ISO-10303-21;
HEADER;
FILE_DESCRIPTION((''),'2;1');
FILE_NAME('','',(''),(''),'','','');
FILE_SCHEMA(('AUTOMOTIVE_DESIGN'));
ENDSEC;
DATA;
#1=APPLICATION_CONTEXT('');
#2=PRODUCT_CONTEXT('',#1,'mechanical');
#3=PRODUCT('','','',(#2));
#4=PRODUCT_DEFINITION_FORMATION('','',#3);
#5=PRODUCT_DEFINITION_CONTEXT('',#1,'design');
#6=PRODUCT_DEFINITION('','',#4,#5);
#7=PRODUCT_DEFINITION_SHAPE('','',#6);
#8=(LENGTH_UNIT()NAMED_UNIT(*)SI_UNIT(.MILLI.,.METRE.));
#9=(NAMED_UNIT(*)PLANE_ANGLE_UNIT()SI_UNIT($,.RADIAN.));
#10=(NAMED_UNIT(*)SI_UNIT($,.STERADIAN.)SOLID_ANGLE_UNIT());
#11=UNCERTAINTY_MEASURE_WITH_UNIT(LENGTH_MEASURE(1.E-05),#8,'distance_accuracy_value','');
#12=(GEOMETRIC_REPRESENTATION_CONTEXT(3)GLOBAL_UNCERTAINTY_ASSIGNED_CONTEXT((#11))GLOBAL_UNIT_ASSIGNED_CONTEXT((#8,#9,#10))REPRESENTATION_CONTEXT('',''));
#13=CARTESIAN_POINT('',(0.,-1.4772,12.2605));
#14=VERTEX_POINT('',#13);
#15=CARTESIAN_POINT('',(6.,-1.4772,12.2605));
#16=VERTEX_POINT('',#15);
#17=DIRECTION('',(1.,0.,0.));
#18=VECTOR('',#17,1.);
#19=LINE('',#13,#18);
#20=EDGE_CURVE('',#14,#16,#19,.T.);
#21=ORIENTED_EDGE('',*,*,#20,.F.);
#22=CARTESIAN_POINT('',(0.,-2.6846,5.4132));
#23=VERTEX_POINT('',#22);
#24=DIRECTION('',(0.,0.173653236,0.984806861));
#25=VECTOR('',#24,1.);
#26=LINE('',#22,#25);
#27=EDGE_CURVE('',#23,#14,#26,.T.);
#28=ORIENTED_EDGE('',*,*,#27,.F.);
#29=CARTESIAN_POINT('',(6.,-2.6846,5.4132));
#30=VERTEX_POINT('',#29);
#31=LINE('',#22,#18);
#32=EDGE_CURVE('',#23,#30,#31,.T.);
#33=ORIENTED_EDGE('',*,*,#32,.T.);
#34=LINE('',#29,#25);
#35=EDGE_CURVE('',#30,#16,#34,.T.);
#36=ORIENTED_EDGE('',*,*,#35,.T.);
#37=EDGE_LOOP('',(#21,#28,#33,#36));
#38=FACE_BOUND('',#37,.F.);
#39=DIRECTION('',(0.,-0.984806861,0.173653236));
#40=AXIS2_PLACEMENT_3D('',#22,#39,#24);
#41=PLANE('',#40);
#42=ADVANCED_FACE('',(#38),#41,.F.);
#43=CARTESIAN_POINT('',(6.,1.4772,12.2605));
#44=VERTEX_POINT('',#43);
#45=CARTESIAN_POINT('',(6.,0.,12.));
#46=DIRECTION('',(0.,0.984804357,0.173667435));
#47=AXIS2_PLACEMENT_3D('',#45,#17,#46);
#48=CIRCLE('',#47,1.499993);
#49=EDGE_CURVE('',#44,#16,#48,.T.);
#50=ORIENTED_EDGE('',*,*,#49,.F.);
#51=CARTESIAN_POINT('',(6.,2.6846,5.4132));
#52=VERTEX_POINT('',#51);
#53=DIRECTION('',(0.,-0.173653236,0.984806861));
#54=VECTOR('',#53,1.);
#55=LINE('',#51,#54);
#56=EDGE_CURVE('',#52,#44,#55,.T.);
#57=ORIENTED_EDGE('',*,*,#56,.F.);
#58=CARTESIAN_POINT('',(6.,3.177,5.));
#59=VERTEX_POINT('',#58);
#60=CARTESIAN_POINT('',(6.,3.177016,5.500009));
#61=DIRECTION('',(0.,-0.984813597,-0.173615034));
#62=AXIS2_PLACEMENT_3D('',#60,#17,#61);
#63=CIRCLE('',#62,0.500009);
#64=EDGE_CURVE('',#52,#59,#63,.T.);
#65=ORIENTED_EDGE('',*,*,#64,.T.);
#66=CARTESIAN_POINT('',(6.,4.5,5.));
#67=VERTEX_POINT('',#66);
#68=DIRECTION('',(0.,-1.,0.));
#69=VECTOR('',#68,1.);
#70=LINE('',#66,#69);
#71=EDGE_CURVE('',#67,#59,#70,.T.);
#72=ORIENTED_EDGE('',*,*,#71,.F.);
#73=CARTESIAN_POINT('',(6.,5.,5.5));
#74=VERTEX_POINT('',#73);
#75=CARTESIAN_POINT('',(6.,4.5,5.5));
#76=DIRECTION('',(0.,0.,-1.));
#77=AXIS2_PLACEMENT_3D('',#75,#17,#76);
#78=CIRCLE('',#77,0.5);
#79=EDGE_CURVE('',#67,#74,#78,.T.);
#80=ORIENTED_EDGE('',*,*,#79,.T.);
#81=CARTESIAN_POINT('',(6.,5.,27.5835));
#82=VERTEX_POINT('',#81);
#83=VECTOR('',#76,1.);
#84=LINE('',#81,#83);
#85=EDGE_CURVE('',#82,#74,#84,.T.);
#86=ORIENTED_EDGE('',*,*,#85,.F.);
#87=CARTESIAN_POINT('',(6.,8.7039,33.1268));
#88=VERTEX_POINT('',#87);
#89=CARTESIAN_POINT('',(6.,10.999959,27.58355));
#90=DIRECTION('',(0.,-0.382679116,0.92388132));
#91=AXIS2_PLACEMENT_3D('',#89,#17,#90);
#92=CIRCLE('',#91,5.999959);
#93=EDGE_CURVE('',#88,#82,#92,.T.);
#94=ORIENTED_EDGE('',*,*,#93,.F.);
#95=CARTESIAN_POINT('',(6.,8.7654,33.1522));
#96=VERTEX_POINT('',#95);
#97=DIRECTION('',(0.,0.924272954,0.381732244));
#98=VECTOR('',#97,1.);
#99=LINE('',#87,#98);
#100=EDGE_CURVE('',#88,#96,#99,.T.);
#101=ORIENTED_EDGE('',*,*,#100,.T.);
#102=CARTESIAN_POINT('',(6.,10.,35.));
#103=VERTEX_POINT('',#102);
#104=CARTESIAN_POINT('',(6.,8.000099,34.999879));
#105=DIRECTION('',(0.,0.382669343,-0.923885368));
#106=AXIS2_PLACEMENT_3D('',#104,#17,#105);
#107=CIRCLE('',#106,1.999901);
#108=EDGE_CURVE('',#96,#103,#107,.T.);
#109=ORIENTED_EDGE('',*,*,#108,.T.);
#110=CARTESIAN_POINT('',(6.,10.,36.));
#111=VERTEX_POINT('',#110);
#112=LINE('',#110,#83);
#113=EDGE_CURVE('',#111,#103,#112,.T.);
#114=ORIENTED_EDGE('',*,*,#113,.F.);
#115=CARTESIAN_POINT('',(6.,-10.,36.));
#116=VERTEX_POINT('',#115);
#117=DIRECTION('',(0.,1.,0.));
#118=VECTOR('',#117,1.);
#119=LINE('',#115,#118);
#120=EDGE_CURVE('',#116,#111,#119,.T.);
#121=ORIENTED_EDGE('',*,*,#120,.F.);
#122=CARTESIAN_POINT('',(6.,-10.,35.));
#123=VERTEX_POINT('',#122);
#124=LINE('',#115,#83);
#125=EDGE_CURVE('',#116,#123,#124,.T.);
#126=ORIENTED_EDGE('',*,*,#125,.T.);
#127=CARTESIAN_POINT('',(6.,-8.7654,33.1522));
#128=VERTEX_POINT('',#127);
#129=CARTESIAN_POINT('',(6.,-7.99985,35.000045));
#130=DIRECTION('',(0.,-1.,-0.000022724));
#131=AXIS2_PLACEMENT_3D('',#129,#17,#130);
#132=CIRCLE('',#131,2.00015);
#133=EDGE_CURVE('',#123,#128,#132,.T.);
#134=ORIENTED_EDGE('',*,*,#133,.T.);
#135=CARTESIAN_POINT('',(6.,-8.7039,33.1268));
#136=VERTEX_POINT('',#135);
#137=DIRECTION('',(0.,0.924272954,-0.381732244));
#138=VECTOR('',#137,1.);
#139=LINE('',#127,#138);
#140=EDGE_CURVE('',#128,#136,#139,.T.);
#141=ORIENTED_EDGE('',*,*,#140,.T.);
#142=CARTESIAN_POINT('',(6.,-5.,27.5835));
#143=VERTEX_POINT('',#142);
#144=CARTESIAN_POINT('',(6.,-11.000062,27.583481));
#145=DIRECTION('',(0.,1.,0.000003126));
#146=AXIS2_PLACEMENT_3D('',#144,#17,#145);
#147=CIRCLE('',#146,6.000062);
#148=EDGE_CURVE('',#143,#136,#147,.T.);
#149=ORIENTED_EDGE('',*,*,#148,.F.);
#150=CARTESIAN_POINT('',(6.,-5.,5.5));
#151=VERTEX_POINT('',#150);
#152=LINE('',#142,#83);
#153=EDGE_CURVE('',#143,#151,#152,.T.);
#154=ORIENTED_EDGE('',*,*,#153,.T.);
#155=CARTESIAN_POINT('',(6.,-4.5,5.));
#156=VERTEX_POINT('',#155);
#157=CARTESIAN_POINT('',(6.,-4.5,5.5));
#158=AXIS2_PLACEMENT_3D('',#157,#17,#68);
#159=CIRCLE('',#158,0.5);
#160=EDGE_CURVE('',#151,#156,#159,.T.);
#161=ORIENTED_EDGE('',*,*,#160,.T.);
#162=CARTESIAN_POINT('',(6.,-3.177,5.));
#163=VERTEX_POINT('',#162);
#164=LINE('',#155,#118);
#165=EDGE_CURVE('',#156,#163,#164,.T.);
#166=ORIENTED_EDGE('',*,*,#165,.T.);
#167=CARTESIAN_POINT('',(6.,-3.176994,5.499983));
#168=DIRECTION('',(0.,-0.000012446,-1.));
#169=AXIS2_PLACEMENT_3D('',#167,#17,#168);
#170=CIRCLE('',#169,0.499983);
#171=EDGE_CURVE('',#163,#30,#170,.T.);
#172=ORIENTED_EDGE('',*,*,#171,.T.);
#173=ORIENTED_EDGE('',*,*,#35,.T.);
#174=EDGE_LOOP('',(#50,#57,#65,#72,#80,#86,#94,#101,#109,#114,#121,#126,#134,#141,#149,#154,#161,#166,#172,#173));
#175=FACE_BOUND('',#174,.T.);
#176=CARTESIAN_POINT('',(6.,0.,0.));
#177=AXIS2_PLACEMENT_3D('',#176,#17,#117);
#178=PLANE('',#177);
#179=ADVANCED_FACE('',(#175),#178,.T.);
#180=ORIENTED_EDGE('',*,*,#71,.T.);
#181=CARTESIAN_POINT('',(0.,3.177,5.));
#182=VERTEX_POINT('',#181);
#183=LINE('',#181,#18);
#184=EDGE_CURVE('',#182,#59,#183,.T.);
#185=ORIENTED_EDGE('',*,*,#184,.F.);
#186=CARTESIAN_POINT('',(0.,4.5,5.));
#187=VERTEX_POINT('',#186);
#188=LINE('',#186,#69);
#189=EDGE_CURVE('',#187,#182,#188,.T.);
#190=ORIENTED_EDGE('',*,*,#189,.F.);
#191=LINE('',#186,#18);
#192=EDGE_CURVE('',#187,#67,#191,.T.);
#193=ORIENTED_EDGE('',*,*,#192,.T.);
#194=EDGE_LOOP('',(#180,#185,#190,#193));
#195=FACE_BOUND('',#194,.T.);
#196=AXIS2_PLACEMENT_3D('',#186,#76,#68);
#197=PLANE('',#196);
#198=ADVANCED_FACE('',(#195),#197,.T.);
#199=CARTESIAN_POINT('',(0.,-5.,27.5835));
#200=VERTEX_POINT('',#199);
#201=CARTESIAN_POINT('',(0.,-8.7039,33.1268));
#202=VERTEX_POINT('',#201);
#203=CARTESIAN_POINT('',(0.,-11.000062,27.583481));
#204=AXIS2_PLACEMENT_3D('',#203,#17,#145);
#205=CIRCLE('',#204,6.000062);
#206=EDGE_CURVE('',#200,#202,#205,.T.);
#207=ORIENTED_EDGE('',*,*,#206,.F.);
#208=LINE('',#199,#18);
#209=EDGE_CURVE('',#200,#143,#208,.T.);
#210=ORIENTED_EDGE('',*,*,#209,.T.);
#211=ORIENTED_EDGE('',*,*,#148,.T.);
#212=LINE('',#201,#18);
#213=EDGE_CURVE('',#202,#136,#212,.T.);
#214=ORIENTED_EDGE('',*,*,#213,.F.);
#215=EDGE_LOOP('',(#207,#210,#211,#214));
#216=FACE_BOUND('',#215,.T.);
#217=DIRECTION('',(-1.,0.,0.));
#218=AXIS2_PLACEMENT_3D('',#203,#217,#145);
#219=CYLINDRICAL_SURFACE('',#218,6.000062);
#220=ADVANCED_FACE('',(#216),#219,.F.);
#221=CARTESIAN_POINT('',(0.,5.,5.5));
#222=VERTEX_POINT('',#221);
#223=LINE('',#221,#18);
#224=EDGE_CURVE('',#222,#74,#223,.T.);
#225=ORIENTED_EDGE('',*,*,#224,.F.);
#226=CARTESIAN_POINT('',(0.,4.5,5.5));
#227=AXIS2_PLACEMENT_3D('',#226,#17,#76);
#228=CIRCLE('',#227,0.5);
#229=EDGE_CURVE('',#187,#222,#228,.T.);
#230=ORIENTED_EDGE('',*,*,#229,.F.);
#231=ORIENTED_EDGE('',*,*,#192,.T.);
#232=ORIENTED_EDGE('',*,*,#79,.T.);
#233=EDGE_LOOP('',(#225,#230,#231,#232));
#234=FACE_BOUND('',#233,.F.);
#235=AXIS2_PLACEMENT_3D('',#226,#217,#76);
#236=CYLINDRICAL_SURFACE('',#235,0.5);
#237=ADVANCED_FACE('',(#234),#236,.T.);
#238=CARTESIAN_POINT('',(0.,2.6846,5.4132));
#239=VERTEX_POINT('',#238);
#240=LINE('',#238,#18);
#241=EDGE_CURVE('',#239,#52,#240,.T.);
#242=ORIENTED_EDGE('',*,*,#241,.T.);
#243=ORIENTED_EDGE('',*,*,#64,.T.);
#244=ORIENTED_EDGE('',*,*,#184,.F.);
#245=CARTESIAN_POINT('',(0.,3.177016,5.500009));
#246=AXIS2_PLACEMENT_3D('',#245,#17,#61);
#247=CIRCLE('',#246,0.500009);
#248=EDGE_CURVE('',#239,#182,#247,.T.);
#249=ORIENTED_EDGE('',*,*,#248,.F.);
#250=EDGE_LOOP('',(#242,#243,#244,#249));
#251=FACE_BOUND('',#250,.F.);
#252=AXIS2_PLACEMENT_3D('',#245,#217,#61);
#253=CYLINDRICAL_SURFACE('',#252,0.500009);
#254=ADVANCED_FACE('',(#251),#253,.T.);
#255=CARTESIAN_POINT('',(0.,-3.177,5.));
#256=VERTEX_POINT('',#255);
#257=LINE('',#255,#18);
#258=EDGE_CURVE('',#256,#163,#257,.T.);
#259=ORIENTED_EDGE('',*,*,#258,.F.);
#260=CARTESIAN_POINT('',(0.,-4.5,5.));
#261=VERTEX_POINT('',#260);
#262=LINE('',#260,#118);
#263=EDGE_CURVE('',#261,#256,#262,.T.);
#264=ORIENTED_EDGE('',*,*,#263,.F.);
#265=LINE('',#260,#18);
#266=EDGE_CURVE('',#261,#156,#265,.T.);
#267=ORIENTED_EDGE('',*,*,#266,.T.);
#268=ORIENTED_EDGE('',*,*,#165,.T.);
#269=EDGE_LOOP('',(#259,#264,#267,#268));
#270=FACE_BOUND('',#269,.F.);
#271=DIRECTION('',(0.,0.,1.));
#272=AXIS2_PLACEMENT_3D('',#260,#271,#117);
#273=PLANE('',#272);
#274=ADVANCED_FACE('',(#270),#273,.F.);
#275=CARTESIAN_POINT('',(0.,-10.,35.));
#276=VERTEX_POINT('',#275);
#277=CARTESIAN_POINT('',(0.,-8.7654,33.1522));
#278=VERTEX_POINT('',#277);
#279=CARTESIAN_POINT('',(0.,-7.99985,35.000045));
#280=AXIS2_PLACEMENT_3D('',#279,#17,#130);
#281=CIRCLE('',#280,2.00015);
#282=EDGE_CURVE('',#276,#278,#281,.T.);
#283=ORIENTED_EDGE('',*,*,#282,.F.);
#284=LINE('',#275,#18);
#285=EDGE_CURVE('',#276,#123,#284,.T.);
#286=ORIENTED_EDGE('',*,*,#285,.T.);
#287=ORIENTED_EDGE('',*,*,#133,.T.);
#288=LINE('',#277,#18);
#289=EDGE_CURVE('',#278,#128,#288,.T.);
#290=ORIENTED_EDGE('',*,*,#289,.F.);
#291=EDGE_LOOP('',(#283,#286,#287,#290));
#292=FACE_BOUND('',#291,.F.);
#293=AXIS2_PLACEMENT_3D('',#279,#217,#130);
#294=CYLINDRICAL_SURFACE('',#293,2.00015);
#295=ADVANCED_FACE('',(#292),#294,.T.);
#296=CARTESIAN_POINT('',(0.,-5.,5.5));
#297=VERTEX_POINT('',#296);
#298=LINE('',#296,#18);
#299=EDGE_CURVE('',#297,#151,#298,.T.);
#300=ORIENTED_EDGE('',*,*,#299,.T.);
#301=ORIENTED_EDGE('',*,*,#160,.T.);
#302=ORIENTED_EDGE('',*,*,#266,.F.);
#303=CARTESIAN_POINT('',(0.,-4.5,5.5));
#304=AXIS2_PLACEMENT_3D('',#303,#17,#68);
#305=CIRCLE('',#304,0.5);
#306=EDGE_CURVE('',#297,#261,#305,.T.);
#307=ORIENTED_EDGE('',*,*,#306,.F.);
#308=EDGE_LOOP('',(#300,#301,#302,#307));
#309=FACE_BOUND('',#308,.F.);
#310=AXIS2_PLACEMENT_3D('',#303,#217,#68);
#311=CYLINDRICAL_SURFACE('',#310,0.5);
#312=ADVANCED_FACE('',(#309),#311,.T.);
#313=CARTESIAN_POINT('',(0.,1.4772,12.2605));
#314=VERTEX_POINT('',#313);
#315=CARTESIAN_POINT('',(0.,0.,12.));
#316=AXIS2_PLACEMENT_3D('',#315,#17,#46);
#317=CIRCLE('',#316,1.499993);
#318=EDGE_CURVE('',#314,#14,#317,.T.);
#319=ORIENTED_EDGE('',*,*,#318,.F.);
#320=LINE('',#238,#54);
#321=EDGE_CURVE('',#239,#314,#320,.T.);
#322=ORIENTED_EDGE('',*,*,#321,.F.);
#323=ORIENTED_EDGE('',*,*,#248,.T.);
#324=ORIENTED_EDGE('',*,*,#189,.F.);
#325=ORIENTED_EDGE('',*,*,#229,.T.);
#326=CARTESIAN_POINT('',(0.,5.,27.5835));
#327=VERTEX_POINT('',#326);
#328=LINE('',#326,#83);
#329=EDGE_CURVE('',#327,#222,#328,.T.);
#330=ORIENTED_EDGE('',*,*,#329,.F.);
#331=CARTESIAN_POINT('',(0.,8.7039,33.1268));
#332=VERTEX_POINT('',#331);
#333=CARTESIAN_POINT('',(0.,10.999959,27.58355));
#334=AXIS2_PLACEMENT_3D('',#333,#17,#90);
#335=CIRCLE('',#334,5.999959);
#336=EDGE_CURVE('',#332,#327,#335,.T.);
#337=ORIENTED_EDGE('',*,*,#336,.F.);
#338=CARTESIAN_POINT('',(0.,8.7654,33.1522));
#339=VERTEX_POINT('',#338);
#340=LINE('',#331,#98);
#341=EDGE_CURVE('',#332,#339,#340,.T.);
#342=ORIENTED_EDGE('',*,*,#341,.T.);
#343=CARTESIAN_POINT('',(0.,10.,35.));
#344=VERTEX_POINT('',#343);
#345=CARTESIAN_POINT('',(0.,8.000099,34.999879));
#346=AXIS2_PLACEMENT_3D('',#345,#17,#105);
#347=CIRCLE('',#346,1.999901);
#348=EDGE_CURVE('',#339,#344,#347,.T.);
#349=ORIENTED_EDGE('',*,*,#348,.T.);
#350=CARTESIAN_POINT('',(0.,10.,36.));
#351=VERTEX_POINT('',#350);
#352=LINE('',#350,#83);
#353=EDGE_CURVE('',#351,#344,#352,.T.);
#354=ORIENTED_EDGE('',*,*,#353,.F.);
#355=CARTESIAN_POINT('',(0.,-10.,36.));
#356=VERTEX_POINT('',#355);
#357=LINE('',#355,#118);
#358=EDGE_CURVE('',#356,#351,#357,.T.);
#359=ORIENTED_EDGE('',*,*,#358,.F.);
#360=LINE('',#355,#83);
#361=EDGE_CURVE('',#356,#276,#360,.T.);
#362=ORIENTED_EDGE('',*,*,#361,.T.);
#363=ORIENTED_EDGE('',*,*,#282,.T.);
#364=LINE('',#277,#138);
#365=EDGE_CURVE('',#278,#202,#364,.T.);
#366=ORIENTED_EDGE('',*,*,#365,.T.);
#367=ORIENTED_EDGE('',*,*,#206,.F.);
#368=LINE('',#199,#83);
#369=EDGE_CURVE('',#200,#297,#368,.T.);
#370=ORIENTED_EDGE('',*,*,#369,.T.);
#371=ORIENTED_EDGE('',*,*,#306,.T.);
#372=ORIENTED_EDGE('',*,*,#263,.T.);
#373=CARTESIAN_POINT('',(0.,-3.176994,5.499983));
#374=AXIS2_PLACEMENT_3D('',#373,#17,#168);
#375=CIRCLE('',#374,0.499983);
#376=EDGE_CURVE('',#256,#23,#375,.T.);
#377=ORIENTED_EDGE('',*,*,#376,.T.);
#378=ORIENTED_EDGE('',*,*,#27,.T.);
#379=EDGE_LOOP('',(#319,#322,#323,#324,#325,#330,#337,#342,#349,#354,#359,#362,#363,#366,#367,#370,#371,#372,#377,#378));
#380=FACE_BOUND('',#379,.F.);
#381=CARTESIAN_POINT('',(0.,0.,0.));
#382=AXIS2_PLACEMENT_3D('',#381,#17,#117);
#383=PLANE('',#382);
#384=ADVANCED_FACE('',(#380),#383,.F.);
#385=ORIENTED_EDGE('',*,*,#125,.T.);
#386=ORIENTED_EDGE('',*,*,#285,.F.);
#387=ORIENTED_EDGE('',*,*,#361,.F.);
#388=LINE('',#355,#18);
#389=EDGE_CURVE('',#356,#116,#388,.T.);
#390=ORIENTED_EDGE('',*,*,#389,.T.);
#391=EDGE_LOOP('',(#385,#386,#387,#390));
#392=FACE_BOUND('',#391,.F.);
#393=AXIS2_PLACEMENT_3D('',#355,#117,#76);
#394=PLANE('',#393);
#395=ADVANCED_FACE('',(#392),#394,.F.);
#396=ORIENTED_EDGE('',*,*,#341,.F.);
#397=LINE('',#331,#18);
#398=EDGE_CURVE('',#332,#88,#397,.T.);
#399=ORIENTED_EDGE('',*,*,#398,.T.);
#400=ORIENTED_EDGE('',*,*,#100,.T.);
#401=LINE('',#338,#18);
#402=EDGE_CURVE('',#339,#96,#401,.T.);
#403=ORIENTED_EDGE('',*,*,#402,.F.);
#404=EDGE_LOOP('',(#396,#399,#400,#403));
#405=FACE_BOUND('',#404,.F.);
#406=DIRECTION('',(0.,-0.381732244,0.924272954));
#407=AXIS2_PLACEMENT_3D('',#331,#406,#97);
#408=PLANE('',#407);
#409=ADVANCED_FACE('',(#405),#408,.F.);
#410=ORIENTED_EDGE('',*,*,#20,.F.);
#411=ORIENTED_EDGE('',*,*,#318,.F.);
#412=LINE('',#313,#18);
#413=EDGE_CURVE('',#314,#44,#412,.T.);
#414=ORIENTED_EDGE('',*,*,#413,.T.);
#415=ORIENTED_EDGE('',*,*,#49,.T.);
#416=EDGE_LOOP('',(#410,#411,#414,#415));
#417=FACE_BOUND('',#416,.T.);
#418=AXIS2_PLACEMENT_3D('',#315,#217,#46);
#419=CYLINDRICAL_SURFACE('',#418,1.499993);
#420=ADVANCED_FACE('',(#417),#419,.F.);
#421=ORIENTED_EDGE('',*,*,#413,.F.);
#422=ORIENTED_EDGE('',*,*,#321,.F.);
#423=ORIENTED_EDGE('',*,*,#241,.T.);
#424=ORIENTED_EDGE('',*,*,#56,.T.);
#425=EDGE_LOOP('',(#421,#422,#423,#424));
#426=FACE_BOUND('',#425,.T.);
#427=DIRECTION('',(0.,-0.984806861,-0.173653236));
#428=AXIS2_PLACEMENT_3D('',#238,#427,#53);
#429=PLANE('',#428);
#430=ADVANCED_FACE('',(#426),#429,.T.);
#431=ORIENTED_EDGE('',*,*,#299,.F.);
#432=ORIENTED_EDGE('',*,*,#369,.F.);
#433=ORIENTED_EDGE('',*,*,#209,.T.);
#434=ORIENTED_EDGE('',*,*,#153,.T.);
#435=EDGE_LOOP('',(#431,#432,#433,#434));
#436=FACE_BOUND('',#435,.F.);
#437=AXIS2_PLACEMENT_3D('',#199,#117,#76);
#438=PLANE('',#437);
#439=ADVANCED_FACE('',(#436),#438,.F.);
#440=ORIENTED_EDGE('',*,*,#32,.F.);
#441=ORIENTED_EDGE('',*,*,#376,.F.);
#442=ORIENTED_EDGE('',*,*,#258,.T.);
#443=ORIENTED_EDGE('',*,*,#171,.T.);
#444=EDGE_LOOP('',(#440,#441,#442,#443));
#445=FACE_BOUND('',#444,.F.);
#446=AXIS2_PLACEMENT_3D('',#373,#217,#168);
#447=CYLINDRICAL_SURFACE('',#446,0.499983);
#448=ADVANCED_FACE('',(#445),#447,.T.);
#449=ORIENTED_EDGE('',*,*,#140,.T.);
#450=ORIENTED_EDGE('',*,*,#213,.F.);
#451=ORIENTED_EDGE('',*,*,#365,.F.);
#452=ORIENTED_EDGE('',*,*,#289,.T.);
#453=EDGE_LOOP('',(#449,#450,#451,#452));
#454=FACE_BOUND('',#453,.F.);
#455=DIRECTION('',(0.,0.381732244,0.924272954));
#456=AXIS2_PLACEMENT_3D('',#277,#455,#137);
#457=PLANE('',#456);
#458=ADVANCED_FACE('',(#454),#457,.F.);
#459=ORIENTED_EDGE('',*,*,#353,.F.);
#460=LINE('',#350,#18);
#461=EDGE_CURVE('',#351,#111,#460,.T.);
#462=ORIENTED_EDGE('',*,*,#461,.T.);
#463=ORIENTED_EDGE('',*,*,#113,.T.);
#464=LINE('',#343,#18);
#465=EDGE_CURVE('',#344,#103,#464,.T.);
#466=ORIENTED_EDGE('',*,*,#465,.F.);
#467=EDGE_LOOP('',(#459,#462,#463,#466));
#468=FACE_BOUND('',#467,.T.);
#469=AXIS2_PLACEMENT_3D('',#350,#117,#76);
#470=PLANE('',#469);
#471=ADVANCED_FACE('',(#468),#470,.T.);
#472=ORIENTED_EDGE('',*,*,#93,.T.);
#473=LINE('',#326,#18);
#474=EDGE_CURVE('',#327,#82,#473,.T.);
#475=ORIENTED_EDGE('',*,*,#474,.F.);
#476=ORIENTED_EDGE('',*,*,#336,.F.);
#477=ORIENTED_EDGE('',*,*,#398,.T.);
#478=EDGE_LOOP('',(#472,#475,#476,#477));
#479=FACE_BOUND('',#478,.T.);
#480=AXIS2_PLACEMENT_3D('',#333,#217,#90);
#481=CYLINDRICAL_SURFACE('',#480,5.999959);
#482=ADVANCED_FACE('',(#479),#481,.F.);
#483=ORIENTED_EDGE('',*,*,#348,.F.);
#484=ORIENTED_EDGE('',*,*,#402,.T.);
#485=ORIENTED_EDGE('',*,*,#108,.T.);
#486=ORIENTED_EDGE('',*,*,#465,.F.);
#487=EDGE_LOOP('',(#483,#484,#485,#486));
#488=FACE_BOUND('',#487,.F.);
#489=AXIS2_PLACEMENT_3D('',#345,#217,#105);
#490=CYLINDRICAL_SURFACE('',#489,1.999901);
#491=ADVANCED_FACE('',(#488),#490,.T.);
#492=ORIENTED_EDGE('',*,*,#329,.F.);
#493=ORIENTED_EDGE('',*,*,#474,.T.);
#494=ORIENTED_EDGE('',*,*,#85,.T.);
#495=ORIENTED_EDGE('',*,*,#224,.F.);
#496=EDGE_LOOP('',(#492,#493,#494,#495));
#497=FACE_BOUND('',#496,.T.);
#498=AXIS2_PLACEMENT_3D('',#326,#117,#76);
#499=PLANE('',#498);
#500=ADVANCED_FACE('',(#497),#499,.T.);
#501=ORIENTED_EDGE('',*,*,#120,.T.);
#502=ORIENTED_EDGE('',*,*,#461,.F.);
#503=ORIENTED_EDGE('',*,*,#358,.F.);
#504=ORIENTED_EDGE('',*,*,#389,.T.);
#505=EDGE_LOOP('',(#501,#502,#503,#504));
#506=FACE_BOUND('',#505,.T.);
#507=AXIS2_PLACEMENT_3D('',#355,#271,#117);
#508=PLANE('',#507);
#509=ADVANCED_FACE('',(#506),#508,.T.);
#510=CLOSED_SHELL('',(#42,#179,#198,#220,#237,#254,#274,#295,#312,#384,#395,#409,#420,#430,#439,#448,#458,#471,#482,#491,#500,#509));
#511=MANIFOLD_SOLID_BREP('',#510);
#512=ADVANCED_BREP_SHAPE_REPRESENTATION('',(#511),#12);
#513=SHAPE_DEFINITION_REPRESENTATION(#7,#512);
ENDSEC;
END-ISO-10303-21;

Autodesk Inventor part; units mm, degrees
ref_plane "YZ Plane" through (0, 0, 0) normal (1, 0, 0) x (0, 1, 0)
ref_plane "XZ Plane" through (0, 0, 0) normal (0, 1, 0) x (-1, 0, 0)
ref_plane "XY Plane" through (0, 0, 0) normal (0, 0, 1) x (1, 0, 0)
sketch "Sketch1" plane through (0, 0, 0) normal (1, 0, 0) x (0, 1, 0)
  line L0 (-8.7654, 33.1522) -> (-8.7039, 33.1268)
  line L1 (8.7039, 33.1268) -> (8.7654, 33.1522)
  line L2 (-5, 27.5835) -> (-5, 5.5)
  line L3 (5, 27.5835) -> (5, 5.5)
  arc A0 (-5, 27.5835) -> (-8.7039, 33.1268) centre (-11, 27.5835) ccw
  arc A1 (8.7039, 33.1268) -> (5, 27.5835) centre (11, 27.5835) ccw
  arc A2 (1.4772, 12.2605) -> (-1.4772, 12.2605) centre (0, 12) ccw
  line L4 (0, 12) -> (0, 0) construction
  line L5 (-2.6846, 5.4132) -> (-1.4772, 12.2605)
  line L6 (2.6846, 5.4132) -> (1.4772, 12.2605)
  arc A3 (-2.9666, 3.8138) -> (-3.1376, 3.8439) centre (-3.0521, 3.8288) ccw
  arc A4 (3.1376, 3.8439) -> (2.9666, 3.8138) centre (3.0521, 3.8288) ccw
  line L7 (-10, 36) -> (10, 36)
  line L8 (-10, 36) -> (-10, 35)
  line L9 (10, 36) -> (10, 35)
  circle A5 centre (0, 0) radius 46 construction
  arc A6 (-10, 35) -> (-8.7654, 33.1522) centre (-8, 35) ccw
  arc A7 (8.7654, 33.1522) -> (10, 35) centre (8, 35) ccw
  line L10 (-4.5, 5) -> (-3.177, 5)
  line L11 (4.5, 5) -> (3.177, 5)
  arc A8 (-5, 5.5) -> (-4.5, 5) centre (-4.5, 5.5) ccw
  arc A9 (-3.177, 5) -> (-2.6846, 5.4132) centre (-3.177, 5.5) ccw
  arc A10 (2.6846, 5.4132) -> (3.177, 5) centre (3.177, 5.5) ccw
  arc A11 (4.5, 5) -> (5, 5.5) centre (4.5, 5.5) ccw
  point P0 (-5, 31.5926)
  point P1 (5, 31.5926)
  point P2 (-2.7574, 5)
  point P3 (-5, 5)
  point P4 (5, 5)
  point P5 (2.7574, 5)
  point P6 (-3.8385, 5)
  point P7 (3.8385, 5)
  dimension "d25" = 10
  dimension "d32" = 6
  dimension "d33" = 6
  dimension "d77" = 3
  dimension "d82" = 46
  dimension "d88" = 20
  dimension "d90" = 2
  dimension "d94" = 1
  dimension "d96" = 22.5
  dimension "d113" = 12
  dimension "d114" = 10
  dimension "d115" = 5
  dimension "d116" = 0.5
  dimension "d118" = 36
extrude "Extrusion7" add sketch "Sketch1" along normal blind 6
properties part number "27090914CameraMountB"
